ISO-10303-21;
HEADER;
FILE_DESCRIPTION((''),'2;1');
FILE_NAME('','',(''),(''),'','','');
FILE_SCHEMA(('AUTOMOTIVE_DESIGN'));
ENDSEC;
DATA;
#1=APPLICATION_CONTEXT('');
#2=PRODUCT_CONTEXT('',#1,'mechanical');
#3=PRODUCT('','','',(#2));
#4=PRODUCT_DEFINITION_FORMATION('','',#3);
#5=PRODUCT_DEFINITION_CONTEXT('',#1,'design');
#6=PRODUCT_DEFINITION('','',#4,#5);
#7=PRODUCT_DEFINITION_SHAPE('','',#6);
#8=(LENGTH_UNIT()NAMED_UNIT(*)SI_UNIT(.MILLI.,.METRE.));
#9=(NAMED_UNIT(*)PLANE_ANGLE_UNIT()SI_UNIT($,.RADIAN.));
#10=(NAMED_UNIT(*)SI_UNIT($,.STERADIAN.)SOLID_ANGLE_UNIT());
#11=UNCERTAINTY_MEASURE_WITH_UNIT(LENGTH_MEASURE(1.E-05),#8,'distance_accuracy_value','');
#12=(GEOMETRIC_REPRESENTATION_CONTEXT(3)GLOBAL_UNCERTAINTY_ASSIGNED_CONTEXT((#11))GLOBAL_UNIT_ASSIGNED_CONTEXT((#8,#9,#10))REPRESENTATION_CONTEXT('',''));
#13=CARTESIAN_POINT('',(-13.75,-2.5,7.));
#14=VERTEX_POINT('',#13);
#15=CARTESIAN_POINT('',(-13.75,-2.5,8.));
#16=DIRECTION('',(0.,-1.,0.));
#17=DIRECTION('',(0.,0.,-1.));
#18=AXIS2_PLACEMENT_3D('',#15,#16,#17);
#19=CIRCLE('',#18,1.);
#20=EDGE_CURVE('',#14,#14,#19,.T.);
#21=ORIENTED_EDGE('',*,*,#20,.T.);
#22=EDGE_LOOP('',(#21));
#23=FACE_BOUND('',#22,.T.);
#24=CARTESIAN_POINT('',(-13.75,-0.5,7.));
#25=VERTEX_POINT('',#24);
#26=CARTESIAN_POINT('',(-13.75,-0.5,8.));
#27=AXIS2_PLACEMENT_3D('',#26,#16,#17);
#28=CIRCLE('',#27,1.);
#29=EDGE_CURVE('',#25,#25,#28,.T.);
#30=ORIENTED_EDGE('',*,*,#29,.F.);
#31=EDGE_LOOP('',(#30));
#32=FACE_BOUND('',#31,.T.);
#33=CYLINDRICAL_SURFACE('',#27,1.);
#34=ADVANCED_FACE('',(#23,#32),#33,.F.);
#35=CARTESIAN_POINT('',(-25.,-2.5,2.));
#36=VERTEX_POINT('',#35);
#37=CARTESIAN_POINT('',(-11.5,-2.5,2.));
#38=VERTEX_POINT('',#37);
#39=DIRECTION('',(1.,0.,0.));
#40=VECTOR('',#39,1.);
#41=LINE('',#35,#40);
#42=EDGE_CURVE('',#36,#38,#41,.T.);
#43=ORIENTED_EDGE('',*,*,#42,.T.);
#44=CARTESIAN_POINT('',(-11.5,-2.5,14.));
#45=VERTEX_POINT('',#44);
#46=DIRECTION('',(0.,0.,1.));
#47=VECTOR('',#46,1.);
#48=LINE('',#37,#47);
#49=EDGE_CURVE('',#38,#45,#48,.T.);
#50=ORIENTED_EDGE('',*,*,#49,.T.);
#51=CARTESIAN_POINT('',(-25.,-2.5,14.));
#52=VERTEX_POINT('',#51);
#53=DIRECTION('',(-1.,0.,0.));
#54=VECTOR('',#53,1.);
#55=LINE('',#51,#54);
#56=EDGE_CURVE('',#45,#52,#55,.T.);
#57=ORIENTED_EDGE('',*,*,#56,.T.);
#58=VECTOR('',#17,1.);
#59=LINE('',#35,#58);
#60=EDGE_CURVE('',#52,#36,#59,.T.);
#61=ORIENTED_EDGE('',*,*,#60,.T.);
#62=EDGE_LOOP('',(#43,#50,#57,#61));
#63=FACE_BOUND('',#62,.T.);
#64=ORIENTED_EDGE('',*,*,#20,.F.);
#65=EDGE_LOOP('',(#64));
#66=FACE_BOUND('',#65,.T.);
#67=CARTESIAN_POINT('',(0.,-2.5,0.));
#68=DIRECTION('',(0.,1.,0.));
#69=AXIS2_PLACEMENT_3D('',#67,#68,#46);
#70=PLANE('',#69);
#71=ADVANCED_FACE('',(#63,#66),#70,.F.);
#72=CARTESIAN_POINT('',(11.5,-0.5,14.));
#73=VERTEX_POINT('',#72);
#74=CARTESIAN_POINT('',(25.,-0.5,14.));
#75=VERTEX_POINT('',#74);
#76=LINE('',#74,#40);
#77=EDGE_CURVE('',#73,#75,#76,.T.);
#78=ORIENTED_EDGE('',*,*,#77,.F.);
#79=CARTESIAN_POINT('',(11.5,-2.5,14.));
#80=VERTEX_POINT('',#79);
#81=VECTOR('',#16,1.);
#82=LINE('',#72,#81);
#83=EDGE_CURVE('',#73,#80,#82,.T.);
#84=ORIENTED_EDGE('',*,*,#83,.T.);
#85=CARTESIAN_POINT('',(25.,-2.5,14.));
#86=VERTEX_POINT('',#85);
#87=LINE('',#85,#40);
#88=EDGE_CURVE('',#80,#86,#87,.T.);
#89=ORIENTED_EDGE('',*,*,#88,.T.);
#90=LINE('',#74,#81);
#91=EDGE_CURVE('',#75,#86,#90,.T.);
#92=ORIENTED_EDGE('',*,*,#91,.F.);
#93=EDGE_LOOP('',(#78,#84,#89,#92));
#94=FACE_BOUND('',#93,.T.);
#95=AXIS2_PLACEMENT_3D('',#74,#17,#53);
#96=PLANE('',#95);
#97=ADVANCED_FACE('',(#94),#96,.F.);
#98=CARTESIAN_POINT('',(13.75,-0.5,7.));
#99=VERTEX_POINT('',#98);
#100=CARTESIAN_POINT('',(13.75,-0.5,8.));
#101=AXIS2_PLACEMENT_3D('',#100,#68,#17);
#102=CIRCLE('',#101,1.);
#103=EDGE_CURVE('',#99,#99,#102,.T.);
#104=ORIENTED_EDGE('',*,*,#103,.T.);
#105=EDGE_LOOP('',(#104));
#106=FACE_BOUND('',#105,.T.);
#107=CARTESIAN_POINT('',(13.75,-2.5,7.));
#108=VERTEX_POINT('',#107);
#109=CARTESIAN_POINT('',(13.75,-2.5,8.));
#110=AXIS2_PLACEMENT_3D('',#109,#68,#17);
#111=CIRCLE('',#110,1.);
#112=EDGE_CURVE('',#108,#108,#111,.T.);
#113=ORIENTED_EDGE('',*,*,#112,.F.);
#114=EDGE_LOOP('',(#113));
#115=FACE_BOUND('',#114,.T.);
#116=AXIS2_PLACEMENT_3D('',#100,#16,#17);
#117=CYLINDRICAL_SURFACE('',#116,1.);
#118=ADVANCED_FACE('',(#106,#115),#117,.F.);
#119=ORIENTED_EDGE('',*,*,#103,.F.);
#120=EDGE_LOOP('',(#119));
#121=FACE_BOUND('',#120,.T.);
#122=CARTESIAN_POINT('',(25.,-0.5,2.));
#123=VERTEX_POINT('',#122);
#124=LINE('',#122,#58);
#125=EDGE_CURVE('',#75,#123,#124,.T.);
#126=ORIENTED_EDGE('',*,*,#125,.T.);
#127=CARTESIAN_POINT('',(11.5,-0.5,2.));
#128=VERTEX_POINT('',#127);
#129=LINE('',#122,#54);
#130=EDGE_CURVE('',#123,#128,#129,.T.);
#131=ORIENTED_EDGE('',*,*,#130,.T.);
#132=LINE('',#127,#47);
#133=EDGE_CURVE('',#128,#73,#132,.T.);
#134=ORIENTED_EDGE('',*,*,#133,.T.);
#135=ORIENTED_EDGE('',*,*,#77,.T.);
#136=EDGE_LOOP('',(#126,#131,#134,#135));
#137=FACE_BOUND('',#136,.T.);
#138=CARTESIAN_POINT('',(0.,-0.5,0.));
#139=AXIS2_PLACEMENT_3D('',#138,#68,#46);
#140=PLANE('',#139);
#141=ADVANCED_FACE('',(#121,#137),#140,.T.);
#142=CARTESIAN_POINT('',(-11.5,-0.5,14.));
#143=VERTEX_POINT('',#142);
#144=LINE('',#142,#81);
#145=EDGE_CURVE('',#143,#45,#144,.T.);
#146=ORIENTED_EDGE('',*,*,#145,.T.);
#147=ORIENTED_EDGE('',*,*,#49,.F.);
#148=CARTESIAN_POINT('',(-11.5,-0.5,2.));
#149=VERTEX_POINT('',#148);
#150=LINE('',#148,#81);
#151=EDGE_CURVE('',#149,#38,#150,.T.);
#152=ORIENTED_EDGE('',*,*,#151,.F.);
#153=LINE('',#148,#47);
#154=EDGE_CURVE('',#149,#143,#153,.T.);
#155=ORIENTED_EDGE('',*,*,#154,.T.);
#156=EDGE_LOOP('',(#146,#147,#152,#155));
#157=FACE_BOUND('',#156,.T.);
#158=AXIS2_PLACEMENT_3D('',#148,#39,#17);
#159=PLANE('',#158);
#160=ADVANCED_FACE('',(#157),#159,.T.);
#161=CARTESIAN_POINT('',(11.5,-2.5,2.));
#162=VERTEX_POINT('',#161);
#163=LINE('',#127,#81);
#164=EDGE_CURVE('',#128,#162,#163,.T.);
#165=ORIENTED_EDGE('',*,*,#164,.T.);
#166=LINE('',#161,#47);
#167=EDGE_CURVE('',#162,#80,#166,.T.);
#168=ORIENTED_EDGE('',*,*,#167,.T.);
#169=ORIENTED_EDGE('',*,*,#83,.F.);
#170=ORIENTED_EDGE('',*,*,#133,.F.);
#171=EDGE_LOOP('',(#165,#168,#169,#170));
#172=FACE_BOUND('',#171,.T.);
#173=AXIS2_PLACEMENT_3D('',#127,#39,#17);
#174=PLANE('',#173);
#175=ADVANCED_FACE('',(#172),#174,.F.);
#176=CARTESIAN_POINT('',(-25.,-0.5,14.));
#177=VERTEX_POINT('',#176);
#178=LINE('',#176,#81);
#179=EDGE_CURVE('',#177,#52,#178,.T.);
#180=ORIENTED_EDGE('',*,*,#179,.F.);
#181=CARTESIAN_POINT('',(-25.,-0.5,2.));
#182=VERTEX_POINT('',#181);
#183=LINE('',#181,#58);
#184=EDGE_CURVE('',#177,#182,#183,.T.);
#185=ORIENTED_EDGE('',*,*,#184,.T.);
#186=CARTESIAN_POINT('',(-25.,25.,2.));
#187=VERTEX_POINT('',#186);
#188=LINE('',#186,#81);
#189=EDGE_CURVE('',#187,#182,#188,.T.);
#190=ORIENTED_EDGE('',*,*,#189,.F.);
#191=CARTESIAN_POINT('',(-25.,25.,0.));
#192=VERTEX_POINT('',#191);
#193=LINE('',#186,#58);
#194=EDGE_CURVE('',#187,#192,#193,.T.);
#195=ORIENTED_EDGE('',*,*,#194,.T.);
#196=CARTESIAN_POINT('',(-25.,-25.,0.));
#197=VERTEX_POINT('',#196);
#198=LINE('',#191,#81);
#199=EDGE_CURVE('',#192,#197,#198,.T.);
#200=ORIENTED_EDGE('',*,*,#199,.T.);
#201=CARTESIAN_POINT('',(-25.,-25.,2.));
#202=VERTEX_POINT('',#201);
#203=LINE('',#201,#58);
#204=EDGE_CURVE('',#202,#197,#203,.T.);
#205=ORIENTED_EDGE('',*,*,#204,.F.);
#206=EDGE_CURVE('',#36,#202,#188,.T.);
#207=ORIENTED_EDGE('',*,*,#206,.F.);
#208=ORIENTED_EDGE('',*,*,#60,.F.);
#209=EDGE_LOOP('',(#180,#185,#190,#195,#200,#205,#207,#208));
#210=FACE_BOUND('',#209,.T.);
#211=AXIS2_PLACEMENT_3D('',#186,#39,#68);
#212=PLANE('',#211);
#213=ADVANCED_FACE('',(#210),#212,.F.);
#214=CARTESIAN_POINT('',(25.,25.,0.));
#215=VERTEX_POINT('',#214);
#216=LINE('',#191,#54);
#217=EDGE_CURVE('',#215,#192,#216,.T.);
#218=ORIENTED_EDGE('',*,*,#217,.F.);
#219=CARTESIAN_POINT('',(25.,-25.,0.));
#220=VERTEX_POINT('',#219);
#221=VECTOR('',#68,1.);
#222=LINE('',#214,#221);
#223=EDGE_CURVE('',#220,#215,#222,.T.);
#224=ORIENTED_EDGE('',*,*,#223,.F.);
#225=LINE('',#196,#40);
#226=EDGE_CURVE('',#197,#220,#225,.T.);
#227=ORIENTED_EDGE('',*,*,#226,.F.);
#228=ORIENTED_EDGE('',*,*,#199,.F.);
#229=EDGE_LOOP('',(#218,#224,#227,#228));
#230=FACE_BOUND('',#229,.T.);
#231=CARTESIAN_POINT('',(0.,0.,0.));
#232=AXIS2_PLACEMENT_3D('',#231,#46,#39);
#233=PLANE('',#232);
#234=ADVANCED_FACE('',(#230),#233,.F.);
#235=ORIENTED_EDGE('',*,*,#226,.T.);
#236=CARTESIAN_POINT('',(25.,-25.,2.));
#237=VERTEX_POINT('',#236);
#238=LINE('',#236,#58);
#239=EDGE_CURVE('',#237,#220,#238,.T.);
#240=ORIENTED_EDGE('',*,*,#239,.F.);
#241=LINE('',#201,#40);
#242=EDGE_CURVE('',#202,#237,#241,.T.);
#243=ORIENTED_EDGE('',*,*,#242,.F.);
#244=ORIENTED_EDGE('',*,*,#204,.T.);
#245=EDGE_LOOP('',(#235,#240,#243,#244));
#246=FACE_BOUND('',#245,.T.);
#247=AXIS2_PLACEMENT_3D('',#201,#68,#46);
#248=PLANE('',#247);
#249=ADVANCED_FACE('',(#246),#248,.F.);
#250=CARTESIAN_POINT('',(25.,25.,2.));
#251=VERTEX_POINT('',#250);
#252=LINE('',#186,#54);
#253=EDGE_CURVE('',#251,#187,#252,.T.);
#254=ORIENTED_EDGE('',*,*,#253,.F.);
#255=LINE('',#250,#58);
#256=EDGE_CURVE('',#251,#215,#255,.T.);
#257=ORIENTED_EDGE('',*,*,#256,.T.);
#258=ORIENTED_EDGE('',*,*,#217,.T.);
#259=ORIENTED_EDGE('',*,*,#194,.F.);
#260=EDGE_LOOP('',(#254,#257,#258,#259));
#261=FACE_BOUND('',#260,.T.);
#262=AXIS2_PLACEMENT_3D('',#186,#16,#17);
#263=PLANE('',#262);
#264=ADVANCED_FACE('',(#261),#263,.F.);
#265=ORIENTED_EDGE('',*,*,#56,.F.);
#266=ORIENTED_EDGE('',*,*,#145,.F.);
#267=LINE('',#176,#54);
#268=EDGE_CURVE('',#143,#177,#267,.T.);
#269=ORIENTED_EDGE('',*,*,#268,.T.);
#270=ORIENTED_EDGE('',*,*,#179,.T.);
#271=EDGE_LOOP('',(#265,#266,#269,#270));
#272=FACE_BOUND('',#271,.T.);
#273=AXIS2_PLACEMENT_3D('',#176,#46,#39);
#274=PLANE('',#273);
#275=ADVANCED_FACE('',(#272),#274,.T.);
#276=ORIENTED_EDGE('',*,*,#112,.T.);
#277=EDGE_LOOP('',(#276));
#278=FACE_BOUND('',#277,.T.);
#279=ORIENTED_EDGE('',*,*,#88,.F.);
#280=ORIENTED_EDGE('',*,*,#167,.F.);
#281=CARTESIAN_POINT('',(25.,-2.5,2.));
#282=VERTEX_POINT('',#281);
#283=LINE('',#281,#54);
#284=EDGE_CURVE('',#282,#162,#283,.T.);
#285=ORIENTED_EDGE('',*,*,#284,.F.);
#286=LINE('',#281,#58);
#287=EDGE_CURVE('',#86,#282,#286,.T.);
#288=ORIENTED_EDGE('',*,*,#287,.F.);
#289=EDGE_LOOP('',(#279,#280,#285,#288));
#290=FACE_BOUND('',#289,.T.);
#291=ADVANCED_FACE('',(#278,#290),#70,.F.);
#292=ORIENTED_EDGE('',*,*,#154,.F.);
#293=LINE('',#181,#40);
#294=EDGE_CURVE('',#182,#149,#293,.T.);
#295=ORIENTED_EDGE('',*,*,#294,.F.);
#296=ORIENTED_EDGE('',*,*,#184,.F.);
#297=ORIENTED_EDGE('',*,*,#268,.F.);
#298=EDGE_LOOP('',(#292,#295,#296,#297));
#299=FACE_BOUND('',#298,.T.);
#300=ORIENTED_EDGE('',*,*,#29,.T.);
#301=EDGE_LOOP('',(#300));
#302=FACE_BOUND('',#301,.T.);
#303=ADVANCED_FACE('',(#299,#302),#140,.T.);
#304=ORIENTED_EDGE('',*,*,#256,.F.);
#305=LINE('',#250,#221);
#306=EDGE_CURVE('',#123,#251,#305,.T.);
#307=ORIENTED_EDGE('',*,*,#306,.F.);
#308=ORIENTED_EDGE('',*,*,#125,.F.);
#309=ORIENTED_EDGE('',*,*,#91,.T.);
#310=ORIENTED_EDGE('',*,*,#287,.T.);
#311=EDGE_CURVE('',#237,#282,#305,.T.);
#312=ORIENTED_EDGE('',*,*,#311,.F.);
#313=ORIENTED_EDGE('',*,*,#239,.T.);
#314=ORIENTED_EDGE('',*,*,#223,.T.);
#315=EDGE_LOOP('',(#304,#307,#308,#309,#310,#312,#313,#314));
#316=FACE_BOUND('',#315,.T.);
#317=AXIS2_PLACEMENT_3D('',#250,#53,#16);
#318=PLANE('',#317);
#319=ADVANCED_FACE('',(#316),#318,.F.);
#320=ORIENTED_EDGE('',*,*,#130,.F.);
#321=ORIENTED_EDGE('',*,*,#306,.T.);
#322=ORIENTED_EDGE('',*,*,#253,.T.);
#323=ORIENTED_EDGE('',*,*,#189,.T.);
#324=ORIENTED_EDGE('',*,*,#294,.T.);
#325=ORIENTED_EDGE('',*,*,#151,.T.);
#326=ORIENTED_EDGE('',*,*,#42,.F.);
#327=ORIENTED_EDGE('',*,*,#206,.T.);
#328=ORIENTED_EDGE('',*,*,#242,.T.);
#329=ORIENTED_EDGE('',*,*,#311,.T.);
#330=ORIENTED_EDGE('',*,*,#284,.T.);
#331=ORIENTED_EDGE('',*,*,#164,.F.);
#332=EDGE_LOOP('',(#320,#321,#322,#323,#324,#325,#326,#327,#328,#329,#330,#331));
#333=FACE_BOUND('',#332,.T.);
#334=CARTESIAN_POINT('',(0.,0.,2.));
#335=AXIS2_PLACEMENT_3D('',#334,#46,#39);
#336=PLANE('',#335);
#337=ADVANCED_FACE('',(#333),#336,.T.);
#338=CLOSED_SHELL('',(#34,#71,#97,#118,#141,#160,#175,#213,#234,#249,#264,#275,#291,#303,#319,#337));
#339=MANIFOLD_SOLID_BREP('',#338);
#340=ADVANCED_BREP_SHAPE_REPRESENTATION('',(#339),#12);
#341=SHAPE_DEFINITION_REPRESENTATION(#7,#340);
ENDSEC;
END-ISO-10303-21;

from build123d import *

# Parameters (mm, degrees)
SKETCH_1_W      = 50
SKETCH_1_H      = 50
EXTRUDE_1_DEPTH = 2
EXTRUDE_START   = -22.5
SKETCH_3_W      = 13.5
SKETCH_3_H      = 12
SKETCH_3_R      = 1
EXTRUDE_3_DEPTH = 2


with BuildPart() as part:
    # 草图1 → 凸台-拉伸1 (new body)
    with BuildSketch(Plane.XY):
        Rectangle(SKETCH_1_W, SKETCH_1_H)
    extrude(amount=EXTRUDE_1_DEPTH)

    # 草图3 → 凸台-拉伸3 (add)
    with BuildSketch(Plane.XZ.offset(25).offset(EXTRUDE_START)):
        with Locations((-18.25, 8)):
            Rectangle(SKETCH_3_W, SKETCH_3_H)
        with Locations((-13.75, 8)):
            Circle(SKETCH_3_R, mode=Mode.SUBTRACT)
    extrude_3 = extrude(amount=-EXTRUDE_3_DEPTH)

    # 镜向1: 凸台-拉伸3 across plane
    add(extrude_3.mirror(Plane(origin=(0, 0, 0), x_dir=(0, 0, 1), z_dir=(1, 0, 0))))


solid = part.part
